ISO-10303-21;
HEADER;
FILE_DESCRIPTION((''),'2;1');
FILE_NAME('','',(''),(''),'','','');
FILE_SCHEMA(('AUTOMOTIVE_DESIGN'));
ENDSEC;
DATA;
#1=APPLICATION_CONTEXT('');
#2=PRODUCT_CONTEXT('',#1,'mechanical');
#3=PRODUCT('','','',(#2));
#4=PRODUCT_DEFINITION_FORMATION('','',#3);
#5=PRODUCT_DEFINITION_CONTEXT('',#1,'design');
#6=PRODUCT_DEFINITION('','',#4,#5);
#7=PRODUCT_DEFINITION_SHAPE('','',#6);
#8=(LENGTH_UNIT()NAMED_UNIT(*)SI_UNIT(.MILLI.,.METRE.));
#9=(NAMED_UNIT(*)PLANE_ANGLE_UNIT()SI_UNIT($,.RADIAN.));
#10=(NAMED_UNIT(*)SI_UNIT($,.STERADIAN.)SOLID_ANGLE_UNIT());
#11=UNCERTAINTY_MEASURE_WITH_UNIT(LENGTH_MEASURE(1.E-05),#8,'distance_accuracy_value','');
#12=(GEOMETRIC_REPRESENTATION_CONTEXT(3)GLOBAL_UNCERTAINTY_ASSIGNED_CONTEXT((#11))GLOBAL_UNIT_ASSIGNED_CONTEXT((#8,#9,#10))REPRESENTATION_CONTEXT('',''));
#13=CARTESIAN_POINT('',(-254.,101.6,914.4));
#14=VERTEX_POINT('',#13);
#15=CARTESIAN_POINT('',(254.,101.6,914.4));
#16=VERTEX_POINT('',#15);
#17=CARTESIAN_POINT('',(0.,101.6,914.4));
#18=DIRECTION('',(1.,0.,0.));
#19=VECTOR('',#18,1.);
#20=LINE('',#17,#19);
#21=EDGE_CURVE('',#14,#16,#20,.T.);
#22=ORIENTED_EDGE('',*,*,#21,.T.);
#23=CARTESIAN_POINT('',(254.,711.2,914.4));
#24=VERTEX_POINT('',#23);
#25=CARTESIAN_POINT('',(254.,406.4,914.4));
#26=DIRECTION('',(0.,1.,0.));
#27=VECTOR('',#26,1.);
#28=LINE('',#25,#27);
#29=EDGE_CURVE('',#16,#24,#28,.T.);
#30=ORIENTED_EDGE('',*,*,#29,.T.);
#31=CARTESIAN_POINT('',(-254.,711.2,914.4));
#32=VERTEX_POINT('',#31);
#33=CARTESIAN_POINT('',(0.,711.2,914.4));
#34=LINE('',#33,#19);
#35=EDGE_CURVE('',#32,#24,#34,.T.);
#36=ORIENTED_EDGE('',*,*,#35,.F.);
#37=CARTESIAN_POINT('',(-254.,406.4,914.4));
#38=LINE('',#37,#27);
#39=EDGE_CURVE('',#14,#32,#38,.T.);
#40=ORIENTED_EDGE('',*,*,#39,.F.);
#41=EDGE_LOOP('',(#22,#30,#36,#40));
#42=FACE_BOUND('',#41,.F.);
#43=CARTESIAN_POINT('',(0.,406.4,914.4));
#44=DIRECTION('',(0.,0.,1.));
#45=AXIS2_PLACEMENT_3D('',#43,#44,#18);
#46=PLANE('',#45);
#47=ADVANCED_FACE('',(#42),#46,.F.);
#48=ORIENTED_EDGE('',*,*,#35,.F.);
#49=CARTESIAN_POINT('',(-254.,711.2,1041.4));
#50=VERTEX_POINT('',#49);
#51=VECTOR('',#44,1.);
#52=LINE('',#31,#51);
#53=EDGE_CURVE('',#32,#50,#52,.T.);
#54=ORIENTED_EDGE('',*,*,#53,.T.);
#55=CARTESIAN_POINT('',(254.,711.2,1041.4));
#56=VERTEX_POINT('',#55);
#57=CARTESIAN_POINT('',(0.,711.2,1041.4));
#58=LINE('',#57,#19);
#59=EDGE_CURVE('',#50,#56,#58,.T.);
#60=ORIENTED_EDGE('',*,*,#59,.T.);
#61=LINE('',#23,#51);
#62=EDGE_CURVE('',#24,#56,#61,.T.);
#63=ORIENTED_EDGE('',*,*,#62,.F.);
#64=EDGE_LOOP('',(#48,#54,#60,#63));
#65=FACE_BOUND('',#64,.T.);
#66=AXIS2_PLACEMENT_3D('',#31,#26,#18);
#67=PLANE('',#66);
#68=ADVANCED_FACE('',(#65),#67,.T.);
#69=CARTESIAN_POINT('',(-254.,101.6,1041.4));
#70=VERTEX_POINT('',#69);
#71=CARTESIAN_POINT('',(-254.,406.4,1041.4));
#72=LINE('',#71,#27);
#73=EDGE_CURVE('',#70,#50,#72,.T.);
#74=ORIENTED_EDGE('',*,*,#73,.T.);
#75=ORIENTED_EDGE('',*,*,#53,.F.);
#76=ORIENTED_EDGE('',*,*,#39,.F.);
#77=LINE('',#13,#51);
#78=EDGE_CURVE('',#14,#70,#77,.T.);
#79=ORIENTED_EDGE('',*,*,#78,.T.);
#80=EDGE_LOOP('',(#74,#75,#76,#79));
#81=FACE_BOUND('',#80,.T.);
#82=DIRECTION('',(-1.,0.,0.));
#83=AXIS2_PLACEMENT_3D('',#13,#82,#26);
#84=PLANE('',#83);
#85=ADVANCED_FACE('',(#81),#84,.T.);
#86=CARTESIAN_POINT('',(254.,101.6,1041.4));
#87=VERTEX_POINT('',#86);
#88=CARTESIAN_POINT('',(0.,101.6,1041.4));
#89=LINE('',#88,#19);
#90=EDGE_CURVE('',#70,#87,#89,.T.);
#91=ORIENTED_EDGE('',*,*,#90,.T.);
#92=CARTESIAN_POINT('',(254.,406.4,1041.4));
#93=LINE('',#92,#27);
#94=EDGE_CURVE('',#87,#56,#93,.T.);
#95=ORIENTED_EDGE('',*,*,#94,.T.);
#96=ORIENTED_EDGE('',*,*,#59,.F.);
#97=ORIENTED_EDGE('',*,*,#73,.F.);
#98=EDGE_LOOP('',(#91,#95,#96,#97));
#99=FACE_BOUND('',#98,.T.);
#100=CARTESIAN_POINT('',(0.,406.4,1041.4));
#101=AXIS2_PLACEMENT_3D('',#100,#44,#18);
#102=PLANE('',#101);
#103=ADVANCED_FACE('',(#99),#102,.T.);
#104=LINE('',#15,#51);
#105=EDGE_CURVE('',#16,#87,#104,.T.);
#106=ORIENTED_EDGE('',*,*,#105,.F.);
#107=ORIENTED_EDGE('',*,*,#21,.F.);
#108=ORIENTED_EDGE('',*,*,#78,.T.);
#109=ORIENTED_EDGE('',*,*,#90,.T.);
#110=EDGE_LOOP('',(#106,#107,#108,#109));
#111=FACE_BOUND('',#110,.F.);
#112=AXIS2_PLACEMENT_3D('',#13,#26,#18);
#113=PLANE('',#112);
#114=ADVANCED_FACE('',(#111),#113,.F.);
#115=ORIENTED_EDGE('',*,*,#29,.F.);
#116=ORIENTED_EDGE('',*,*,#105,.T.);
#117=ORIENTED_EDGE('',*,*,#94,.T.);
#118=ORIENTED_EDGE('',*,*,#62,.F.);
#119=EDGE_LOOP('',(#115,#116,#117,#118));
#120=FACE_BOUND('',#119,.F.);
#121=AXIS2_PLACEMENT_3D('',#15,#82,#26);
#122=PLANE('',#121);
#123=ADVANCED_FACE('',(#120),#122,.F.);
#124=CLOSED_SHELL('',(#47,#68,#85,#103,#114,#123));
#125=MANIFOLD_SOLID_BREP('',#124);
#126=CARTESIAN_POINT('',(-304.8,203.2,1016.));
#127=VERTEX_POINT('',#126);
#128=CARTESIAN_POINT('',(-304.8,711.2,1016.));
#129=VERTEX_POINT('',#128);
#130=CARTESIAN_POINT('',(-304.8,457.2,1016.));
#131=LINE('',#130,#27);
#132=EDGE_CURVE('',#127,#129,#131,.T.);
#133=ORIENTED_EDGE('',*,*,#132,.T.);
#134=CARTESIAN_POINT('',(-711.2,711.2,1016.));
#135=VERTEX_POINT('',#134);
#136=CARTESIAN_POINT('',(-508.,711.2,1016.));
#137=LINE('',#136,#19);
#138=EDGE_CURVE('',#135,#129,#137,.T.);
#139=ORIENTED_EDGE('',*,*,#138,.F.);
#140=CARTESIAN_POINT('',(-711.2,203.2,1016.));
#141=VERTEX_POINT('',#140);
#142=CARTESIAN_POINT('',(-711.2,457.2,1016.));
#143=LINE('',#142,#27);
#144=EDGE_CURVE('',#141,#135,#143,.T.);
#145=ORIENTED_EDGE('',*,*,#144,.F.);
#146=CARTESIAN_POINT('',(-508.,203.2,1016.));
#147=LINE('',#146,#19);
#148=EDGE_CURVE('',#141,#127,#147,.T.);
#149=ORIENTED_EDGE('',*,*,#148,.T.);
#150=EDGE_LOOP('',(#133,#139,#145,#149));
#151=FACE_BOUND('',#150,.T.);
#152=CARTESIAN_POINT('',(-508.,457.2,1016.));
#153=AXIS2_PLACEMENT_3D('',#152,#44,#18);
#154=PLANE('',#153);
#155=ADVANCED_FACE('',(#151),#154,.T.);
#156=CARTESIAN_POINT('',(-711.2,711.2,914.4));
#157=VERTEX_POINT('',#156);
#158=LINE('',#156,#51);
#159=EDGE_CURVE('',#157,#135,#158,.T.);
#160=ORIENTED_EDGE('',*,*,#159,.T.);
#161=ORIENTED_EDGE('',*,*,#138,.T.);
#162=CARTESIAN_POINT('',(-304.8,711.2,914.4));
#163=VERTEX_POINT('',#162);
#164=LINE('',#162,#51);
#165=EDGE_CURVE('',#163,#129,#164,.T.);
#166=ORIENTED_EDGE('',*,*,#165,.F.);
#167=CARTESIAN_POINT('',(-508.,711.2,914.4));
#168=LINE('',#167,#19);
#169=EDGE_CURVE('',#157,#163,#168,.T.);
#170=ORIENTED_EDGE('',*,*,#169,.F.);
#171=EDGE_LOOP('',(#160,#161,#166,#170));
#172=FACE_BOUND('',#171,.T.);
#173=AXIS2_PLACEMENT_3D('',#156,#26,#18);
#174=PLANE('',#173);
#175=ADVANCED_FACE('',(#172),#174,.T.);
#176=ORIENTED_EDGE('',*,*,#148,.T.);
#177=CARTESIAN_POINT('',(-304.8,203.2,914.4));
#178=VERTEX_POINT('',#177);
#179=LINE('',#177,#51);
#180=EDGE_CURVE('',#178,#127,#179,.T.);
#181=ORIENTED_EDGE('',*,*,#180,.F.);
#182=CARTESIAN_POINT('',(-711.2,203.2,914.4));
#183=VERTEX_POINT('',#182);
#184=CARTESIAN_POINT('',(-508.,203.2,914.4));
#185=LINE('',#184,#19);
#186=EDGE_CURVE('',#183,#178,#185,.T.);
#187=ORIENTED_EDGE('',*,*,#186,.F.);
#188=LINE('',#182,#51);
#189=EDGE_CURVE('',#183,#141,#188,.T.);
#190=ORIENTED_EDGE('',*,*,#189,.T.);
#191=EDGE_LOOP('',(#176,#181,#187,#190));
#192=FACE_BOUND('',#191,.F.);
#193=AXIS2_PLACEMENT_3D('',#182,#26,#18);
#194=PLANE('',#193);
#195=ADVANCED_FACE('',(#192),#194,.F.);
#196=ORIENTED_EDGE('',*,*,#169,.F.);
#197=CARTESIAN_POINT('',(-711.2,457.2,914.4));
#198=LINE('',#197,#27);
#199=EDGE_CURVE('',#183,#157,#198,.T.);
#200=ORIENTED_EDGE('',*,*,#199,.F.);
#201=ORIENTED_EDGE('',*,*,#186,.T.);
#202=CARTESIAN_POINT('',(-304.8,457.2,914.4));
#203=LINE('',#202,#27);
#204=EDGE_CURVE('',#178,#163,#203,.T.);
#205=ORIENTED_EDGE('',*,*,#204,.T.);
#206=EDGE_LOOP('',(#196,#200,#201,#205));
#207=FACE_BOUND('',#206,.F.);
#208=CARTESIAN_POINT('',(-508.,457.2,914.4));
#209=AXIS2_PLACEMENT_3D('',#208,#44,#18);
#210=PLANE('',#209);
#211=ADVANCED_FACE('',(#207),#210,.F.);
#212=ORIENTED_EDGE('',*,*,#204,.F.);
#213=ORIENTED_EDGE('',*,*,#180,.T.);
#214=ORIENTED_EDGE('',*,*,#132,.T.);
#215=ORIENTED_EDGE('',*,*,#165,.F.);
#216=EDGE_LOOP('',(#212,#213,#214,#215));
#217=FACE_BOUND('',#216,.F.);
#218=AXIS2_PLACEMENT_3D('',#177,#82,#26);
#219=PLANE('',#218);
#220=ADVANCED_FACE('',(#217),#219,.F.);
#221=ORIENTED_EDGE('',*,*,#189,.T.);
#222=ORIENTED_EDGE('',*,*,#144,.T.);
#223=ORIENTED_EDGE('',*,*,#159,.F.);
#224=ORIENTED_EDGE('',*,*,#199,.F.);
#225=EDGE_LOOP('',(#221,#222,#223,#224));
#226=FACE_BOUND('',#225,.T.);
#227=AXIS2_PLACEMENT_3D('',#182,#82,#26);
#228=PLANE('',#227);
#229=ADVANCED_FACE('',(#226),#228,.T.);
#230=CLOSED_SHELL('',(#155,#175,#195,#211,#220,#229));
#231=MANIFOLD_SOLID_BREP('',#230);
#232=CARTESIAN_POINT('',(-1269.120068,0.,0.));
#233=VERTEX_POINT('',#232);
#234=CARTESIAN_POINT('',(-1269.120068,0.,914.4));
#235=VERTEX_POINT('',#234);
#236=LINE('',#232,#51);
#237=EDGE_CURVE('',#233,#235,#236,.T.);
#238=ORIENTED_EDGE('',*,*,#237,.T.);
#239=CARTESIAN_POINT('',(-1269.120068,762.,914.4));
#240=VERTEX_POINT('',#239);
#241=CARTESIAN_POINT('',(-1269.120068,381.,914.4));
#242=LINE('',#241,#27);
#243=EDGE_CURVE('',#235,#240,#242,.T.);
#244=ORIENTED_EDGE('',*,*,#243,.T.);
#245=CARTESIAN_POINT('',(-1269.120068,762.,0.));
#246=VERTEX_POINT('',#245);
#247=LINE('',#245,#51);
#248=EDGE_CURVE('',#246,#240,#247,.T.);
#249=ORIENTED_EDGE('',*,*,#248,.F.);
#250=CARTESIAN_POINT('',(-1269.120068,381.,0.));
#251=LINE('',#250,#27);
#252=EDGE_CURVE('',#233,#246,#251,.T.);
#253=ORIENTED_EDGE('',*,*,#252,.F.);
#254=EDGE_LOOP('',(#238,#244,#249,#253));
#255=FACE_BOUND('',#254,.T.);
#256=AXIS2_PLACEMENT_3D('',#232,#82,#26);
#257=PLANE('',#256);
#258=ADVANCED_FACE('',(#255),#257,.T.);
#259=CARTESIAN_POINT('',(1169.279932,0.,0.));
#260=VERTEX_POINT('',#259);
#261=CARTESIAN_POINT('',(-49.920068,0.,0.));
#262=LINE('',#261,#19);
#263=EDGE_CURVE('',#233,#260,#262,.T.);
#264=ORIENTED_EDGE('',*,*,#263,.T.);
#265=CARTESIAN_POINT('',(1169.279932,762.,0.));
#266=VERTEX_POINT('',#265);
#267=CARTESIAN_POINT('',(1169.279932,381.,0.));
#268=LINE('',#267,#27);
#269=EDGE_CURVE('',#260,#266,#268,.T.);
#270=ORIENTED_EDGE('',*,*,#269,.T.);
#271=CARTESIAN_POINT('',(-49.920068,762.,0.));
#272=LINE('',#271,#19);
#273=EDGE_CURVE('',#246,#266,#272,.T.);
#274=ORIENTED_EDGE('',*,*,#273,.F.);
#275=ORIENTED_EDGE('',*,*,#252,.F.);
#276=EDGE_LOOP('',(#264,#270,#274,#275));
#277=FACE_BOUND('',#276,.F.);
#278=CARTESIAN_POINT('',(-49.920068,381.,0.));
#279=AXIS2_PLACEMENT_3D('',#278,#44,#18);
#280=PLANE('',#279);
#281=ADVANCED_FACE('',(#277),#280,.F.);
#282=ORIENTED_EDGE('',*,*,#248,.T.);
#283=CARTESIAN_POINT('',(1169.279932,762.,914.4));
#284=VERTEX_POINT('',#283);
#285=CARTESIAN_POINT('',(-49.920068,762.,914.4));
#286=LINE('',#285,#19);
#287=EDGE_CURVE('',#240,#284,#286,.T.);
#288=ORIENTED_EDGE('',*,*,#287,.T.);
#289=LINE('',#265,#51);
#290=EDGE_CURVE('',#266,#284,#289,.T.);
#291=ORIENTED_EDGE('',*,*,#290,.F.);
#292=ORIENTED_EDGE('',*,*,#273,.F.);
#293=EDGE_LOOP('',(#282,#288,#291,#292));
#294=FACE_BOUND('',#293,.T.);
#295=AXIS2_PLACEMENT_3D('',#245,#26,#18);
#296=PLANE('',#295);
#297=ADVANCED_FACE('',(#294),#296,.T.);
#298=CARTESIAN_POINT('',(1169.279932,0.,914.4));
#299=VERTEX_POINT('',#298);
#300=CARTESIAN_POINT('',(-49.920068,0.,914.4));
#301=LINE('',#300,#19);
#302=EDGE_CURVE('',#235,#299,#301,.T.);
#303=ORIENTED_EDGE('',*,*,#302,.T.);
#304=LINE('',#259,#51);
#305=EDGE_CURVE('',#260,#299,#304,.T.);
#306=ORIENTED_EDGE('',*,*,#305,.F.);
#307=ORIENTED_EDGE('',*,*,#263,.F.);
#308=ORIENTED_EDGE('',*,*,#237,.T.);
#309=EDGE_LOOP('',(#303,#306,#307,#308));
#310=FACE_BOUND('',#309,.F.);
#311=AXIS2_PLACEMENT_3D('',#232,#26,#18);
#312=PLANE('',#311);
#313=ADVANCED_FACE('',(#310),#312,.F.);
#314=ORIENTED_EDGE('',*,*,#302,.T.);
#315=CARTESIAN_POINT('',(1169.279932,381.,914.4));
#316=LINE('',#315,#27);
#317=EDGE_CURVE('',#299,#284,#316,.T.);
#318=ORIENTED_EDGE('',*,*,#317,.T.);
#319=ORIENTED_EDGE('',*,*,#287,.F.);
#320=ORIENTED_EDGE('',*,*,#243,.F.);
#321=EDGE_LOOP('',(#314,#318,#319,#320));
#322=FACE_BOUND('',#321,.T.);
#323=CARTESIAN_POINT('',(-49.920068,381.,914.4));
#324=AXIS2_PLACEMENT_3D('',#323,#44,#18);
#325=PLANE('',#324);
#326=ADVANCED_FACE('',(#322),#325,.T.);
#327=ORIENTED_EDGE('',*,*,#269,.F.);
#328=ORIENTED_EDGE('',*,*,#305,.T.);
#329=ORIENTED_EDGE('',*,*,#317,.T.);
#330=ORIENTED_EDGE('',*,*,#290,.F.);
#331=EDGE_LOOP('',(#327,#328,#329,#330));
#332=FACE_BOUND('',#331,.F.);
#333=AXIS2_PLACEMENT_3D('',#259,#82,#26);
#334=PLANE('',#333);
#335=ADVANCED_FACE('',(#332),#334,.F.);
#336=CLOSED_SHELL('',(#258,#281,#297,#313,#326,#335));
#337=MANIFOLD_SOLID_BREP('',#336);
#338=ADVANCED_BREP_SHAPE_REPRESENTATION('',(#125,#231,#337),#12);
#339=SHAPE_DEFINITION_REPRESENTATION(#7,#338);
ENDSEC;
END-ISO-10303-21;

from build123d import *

# Parameters (mm, degrees)
F0_W     = 2438.4
F0_H     = 762
F1_DEPTH = 914.4
F2_W     = 508
F2_H     = 609.6
F3_DEPTH = 127
F4_W     = 406.4
F4_H     = 508
F5_DEPTH = 101.6


with BuildPart() as f1:
    # F0 (on Top) → F1 (new body)
    with BuildSketch(Plane.XY):
        with Locations((-49.920068, 381)):
            Rectangle(F0_W, F0_H)
    extrude(amount=F1_DEPTH)


with BuildPart() as f3:
    # F2 (on face) → F3 (new body)
    with BuildSketch(Plane.XY.offset(914.4)):
        with Locations((0, 406.4)):
            Rectangle(F2_W, F2_H)
    extrude(amount=F3_DEPTH)


with BuildPart() as f5:
    # F4 (on face) → F5 (new body)
    with BuildSketch(Plane.XY.offset(914.4)):
        with Locations((-508, 457.2)):
            Rectangle(F4_W, F4_H)
    extrude(amount=F5_DEPTH)


solid = Compound([f1.part, f3.part, f5.part])
